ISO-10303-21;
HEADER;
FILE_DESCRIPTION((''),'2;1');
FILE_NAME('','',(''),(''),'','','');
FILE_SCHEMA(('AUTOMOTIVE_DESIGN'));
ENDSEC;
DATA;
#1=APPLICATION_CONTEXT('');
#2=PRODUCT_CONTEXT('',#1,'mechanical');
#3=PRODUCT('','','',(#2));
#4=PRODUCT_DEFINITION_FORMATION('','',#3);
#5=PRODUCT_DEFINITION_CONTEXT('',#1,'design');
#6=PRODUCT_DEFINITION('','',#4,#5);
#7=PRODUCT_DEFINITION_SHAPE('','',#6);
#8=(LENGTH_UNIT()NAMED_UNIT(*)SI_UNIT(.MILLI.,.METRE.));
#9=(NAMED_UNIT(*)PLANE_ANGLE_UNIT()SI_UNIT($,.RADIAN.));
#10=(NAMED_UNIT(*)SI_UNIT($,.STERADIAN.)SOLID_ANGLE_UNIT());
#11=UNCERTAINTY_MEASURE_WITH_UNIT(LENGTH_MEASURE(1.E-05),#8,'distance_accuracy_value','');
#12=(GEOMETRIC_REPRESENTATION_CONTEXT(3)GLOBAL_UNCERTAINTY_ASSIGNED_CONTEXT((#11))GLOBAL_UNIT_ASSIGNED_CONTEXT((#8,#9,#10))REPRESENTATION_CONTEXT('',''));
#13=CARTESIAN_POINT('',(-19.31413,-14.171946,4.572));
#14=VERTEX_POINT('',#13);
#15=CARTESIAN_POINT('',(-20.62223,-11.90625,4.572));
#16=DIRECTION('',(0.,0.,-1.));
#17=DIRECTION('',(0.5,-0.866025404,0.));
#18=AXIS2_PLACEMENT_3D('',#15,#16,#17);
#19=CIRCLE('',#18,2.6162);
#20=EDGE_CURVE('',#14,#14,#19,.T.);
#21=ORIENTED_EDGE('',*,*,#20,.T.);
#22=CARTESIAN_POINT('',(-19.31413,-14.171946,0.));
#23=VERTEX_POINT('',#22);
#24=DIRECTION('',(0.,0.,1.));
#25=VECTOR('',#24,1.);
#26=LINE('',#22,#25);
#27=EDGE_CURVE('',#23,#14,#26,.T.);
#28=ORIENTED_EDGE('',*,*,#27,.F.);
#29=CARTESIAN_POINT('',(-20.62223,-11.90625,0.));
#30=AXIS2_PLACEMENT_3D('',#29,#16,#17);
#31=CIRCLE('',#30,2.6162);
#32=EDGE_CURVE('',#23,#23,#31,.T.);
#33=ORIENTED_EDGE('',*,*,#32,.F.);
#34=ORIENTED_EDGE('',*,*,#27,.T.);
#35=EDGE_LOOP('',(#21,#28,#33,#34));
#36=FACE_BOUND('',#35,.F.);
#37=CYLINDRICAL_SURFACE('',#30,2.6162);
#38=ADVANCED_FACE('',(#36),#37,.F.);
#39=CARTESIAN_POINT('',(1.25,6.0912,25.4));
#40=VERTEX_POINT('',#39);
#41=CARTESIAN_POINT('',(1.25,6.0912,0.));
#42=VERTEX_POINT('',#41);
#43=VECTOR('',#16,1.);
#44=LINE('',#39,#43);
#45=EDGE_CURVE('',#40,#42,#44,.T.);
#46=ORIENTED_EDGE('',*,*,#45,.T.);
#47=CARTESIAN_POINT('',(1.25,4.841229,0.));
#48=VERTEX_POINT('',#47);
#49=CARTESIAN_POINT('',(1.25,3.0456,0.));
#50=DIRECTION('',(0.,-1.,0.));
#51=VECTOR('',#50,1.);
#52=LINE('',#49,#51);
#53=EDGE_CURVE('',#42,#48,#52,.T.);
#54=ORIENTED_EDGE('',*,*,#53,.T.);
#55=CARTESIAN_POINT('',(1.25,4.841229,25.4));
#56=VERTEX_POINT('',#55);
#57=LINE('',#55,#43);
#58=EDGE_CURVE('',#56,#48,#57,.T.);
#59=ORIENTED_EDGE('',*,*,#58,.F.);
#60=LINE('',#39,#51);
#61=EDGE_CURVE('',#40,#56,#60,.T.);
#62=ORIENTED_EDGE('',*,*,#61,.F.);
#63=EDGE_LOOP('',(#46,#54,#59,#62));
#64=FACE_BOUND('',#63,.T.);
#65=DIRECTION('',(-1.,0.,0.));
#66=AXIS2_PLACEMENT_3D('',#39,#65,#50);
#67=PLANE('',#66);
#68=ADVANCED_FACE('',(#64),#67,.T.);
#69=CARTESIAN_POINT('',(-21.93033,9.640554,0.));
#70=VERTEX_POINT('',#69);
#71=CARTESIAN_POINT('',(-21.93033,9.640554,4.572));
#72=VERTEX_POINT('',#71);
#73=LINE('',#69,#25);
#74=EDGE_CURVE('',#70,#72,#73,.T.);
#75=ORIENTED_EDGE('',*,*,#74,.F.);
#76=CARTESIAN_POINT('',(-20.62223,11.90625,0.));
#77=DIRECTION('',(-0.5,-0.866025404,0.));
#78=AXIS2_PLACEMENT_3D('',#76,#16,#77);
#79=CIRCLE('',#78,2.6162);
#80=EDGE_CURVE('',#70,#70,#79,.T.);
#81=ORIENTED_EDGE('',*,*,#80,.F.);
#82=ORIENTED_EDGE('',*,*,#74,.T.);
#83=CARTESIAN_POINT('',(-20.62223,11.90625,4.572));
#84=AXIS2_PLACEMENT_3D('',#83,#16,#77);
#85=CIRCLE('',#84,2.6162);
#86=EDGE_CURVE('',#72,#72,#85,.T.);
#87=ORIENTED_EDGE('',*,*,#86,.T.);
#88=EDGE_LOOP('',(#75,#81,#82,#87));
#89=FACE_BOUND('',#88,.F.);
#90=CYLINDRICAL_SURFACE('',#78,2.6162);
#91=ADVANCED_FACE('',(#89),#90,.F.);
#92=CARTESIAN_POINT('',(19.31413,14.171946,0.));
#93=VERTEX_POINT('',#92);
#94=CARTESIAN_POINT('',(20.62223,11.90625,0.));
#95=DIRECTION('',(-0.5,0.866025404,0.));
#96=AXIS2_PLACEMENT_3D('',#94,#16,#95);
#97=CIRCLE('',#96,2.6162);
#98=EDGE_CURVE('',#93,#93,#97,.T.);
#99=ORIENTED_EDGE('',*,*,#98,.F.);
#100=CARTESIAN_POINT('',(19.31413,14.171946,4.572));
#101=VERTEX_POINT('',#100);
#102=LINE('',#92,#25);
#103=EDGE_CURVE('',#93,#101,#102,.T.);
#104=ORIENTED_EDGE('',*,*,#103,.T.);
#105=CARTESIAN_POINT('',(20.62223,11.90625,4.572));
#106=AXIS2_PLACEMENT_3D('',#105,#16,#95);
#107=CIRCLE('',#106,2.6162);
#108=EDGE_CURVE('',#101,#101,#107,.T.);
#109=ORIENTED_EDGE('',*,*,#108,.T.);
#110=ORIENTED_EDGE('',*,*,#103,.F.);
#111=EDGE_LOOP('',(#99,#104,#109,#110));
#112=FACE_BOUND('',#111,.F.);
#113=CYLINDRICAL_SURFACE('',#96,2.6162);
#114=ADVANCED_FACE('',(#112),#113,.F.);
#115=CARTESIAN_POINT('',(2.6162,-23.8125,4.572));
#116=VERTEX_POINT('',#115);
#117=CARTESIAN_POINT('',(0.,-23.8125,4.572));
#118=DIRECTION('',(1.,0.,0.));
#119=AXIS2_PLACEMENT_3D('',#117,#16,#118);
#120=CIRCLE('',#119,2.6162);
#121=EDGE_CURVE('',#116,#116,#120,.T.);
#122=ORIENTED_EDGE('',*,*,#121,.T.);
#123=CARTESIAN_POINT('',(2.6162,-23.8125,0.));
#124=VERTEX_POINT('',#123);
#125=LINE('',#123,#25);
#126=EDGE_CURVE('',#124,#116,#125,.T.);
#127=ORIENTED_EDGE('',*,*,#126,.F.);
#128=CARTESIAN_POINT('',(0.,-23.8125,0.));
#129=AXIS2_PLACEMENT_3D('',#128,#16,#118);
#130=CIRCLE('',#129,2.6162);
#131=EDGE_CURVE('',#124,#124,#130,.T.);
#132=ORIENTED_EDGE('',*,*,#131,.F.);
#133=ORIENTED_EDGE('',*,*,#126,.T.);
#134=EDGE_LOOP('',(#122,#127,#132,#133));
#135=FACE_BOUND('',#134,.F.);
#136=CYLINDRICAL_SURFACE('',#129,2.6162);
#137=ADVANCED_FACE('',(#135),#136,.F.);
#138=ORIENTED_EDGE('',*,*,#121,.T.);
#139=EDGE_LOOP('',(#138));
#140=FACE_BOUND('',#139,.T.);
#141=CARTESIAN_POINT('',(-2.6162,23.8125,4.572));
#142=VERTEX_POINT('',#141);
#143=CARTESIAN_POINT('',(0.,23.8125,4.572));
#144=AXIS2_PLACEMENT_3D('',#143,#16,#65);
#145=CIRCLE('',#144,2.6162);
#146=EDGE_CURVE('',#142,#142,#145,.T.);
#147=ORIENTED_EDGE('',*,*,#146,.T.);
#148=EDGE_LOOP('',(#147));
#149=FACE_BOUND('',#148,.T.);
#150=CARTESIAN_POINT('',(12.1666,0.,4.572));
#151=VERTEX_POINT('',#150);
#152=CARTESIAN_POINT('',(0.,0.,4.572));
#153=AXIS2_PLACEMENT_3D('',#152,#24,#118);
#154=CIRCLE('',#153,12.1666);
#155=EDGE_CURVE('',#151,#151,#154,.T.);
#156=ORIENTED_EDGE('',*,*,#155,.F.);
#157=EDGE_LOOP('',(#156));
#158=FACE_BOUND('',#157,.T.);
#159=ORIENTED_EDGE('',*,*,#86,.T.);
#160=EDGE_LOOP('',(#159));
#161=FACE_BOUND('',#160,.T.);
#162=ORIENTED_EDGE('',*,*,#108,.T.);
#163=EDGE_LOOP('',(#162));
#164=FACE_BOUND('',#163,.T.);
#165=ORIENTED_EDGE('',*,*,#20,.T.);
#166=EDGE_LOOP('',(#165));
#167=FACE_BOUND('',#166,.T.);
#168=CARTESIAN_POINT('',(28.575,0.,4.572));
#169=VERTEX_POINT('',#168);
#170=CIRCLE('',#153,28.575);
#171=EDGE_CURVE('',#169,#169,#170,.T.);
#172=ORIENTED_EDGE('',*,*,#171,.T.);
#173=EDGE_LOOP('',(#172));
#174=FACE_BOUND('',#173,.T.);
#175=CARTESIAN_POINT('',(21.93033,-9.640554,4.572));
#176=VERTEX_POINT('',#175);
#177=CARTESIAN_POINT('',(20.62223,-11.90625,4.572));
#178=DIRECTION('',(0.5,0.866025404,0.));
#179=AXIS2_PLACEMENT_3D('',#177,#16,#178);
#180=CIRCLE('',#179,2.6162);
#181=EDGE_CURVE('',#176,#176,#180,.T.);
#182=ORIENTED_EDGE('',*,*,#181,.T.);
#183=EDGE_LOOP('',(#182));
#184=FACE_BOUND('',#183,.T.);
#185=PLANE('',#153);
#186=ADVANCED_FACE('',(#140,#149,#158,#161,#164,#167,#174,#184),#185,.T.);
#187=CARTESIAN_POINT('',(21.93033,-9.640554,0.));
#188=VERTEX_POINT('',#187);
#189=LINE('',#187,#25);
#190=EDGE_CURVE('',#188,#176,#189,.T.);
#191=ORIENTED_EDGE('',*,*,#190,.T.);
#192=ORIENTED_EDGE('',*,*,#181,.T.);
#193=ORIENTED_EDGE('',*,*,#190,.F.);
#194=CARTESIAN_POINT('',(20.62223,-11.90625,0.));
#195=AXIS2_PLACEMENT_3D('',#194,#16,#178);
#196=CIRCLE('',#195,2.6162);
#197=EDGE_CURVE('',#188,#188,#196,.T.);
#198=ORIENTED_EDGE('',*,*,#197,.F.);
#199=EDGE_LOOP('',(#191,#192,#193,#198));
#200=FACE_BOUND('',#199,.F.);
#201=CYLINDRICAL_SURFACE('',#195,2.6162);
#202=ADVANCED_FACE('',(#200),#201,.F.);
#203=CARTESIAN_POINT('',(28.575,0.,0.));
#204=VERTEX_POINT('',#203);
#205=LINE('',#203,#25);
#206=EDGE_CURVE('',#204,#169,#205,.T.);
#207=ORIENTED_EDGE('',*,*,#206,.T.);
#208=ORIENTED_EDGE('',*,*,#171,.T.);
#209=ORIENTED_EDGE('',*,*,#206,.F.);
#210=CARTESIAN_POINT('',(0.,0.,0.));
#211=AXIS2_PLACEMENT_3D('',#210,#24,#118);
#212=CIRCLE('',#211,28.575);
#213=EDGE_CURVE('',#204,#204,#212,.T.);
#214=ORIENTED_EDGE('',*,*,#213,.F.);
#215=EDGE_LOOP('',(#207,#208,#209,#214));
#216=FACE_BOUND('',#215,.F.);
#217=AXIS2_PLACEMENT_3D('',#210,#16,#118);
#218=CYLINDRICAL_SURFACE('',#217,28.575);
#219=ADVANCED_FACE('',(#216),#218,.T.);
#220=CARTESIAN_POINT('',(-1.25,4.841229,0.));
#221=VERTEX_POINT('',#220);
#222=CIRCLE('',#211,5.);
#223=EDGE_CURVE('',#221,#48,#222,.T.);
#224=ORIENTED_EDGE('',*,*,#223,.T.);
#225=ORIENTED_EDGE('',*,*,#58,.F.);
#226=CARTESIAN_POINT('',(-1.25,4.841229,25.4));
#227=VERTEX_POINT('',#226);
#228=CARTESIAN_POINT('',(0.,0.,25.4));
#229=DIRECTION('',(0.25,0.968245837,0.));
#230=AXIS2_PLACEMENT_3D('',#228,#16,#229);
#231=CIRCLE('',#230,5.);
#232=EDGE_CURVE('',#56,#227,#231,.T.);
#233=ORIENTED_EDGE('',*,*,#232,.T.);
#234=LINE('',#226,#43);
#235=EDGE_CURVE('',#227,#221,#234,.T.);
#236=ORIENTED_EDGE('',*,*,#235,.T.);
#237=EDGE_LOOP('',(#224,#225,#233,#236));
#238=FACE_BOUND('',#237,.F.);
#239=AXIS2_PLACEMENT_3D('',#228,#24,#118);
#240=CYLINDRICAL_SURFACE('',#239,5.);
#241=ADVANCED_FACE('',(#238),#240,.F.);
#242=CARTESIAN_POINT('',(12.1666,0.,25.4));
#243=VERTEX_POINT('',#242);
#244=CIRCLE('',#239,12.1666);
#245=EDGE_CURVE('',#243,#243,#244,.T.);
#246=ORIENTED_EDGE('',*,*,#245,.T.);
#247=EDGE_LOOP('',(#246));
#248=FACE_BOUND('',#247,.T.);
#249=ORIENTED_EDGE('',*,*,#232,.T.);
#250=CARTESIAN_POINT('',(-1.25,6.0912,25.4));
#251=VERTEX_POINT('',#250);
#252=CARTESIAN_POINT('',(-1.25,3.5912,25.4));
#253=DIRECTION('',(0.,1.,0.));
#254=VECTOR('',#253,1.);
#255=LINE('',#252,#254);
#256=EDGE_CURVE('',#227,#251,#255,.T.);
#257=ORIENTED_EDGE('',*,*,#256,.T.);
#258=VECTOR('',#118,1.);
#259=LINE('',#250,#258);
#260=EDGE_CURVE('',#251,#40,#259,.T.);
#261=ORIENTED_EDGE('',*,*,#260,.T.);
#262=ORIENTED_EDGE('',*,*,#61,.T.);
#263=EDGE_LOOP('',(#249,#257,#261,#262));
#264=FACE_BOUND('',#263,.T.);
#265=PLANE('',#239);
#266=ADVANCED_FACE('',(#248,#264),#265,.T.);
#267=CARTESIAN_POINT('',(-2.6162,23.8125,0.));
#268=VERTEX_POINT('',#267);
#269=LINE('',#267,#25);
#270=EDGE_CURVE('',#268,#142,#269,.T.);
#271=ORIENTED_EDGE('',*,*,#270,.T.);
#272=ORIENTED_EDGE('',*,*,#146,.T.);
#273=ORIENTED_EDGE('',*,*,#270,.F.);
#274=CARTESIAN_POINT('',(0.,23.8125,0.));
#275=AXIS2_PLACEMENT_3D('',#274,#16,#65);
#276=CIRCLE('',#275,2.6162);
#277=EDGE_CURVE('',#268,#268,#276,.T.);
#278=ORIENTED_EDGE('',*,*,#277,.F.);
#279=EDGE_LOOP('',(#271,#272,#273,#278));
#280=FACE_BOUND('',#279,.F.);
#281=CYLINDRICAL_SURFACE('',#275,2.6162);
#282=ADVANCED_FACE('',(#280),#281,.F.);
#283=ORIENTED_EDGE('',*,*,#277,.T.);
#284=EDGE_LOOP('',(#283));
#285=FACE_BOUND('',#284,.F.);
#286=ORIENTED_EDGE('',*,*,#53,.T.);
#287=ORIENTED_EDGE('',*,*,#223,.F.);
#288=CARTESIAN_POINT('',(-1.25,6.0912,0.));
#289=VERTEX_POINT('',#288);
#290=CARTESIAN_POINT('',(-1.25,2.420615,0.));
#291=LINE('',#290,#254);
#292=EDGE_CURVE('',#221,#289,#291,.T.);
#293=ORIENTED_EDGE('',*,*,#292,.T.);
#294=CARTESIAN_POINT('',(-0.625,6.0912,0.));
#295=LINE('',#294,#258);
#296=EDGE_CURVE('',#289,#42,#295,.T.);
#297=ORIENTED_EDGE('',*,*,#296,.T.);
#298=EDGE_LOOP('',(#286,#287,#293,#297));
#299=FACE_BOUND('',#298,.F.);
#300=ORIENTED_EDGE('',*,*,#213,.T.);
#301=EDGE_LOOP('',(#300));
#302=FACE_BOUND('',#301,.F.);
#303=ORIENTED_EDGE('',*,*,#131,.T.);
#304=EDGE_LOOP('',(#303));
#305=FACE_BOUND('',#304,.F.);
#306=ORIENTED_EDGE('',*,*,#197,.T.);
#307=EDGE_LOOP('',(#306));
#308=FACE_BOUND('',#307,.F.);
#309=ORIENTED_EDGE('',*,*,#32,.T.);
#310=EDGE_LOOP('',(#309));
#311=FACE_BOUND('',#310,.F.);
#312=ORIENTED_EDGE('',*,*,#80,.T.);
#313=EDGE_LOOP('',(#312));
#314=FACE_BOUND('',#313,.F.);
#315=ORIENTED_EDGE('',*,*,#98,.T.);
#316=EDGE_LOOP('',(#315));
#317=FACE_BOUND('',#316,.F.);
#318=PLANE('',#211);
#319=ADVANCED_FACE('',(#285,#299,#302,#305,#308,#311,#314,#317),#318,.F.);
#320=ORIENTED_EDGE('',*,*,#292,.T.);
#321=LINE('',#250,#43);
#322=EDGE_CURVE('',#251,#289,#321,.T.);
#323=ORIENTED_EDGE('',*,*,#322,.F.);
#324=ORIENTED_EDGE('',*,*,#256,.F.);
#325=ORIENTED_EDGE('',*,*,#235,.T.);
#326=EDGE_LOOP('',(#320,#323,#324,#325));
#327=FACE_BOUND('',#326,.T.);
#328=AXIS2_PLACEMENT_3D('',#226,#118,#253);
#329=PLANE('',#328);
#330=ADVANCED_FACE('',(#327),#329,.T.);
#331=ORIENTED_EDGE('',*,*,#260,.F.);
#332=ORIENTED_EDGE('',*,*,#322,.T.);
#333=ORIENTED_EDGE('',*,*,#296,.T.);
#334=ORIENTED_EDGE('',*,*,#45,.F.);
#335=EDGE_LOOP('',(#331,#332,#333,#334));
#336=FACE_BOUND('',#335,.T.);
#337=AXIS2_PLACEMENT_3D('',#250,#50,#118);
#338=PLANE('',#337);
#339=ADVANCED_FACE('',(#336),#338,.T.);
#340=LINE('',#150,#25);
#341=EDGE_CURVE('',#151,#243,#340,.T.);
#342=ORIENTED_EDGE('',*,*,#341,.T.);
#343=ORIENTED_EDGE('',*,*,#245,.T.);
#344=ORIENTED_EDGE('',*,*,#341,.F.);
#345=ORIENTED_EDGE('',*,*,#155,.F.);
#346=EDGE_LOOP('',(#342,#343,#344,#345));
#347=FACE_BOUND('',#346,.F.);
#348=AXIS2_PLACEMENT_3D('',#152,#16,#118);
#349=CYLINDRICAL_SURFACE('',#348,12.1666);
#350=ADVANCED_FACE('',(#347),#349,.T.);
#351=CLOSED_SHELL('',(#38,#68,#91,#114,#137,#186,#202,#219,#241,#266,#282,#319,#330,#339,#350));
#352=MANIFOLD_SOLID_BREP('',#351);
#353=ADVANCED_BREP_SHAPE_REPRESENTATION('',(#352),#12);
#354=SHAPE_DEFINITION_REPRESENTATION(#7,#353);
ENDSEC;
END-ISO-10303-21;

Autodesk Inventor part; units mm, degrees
ref_plane "YZ Plane" through (0, 0, 0) normal (1, 0, 0) x (0, 1, 0)
ref_plane "XZ Plane" through (0, 0, 0) normal (0, 1, 0) x (-1, 0, 0)
ref_plane "XY Plane" through (0, 0, 0) normal (0, 0, 1) x (1, 0, 0)
sketch "Sketch1" plane through (0, 0, 0) normal (0, 0, 1) x (1, 0, 0)
  circle A0 centre (0, 0) radius 28.575
  dimension "d0" = 57.15
extrude "Extrusion1" add sketch "Sketch1" along normal blind 4.572
sketch "Sketch2" plane through (0, 0, 4.572) normal (0, 0, 1) x (1, 0, 0)
  circle A0 centre (0, 0) radius 28.575 projected
  circle A1 centre (0, 0) radius 12.1666
  dimension "d3" = 24.3332
extrude "Extrusion2" add sketch "Sketch2" along normal blind 20.828 contours A1
sketch "Sketch3" plane through (0, 0, 25.4) normal (0, 0, 1) x (1, 0, 0)
  circle A0 centre (0, 0) radius 12.1666 projected
  circle A1 centre (0, 0) radius 5
  line L0 (-1.25, 6.0912) -> (1.25, 6.0912)
  line L1 (1.25, 6.0912) -> (1.25, 3.5912)
  line L2 (1.25, 3.5912) -> (-1.25, 3.5912)
  line L3 (-1.25, 3.5912) -> (-1.25, 6.0912)
  point P0 (0, 6.0912)
  point P1 (-1.25, 4.8412)
  dimension "d6" = 10
  dimension "d7" = 2.5
  dimension "d8" = 2.5
extrude "Extrusion3" cut sketch "Sketch3" against normal through all contours A1 L3 L2 L1 | L1 L2 L3 A1 | A1 L3 L0 L1
sketch "Sketch4" plane through (0, 0, 0) normal (0, 0, -1) x (-1, 0, 0)
  arc A0 (-1.25, 4.8412) -> (1.25, 4.8412) centre (0, 0) ccw construction
  circle A1 centre (0, 23.8125) radius 2.6162
  dimension "d11" = 5.2324
  dimension "d12" = 23.8125
extrude "Extrusion4" cut sketch "Sketch4" against normal through all
pattern_circular "Circular Pattern1" count 6 over 360 about axis through (0, 0, 0) along (0, 0, 1) of "Extrusion4"
properties part number "Hub 8mm key" material "Aluminum 6061"
